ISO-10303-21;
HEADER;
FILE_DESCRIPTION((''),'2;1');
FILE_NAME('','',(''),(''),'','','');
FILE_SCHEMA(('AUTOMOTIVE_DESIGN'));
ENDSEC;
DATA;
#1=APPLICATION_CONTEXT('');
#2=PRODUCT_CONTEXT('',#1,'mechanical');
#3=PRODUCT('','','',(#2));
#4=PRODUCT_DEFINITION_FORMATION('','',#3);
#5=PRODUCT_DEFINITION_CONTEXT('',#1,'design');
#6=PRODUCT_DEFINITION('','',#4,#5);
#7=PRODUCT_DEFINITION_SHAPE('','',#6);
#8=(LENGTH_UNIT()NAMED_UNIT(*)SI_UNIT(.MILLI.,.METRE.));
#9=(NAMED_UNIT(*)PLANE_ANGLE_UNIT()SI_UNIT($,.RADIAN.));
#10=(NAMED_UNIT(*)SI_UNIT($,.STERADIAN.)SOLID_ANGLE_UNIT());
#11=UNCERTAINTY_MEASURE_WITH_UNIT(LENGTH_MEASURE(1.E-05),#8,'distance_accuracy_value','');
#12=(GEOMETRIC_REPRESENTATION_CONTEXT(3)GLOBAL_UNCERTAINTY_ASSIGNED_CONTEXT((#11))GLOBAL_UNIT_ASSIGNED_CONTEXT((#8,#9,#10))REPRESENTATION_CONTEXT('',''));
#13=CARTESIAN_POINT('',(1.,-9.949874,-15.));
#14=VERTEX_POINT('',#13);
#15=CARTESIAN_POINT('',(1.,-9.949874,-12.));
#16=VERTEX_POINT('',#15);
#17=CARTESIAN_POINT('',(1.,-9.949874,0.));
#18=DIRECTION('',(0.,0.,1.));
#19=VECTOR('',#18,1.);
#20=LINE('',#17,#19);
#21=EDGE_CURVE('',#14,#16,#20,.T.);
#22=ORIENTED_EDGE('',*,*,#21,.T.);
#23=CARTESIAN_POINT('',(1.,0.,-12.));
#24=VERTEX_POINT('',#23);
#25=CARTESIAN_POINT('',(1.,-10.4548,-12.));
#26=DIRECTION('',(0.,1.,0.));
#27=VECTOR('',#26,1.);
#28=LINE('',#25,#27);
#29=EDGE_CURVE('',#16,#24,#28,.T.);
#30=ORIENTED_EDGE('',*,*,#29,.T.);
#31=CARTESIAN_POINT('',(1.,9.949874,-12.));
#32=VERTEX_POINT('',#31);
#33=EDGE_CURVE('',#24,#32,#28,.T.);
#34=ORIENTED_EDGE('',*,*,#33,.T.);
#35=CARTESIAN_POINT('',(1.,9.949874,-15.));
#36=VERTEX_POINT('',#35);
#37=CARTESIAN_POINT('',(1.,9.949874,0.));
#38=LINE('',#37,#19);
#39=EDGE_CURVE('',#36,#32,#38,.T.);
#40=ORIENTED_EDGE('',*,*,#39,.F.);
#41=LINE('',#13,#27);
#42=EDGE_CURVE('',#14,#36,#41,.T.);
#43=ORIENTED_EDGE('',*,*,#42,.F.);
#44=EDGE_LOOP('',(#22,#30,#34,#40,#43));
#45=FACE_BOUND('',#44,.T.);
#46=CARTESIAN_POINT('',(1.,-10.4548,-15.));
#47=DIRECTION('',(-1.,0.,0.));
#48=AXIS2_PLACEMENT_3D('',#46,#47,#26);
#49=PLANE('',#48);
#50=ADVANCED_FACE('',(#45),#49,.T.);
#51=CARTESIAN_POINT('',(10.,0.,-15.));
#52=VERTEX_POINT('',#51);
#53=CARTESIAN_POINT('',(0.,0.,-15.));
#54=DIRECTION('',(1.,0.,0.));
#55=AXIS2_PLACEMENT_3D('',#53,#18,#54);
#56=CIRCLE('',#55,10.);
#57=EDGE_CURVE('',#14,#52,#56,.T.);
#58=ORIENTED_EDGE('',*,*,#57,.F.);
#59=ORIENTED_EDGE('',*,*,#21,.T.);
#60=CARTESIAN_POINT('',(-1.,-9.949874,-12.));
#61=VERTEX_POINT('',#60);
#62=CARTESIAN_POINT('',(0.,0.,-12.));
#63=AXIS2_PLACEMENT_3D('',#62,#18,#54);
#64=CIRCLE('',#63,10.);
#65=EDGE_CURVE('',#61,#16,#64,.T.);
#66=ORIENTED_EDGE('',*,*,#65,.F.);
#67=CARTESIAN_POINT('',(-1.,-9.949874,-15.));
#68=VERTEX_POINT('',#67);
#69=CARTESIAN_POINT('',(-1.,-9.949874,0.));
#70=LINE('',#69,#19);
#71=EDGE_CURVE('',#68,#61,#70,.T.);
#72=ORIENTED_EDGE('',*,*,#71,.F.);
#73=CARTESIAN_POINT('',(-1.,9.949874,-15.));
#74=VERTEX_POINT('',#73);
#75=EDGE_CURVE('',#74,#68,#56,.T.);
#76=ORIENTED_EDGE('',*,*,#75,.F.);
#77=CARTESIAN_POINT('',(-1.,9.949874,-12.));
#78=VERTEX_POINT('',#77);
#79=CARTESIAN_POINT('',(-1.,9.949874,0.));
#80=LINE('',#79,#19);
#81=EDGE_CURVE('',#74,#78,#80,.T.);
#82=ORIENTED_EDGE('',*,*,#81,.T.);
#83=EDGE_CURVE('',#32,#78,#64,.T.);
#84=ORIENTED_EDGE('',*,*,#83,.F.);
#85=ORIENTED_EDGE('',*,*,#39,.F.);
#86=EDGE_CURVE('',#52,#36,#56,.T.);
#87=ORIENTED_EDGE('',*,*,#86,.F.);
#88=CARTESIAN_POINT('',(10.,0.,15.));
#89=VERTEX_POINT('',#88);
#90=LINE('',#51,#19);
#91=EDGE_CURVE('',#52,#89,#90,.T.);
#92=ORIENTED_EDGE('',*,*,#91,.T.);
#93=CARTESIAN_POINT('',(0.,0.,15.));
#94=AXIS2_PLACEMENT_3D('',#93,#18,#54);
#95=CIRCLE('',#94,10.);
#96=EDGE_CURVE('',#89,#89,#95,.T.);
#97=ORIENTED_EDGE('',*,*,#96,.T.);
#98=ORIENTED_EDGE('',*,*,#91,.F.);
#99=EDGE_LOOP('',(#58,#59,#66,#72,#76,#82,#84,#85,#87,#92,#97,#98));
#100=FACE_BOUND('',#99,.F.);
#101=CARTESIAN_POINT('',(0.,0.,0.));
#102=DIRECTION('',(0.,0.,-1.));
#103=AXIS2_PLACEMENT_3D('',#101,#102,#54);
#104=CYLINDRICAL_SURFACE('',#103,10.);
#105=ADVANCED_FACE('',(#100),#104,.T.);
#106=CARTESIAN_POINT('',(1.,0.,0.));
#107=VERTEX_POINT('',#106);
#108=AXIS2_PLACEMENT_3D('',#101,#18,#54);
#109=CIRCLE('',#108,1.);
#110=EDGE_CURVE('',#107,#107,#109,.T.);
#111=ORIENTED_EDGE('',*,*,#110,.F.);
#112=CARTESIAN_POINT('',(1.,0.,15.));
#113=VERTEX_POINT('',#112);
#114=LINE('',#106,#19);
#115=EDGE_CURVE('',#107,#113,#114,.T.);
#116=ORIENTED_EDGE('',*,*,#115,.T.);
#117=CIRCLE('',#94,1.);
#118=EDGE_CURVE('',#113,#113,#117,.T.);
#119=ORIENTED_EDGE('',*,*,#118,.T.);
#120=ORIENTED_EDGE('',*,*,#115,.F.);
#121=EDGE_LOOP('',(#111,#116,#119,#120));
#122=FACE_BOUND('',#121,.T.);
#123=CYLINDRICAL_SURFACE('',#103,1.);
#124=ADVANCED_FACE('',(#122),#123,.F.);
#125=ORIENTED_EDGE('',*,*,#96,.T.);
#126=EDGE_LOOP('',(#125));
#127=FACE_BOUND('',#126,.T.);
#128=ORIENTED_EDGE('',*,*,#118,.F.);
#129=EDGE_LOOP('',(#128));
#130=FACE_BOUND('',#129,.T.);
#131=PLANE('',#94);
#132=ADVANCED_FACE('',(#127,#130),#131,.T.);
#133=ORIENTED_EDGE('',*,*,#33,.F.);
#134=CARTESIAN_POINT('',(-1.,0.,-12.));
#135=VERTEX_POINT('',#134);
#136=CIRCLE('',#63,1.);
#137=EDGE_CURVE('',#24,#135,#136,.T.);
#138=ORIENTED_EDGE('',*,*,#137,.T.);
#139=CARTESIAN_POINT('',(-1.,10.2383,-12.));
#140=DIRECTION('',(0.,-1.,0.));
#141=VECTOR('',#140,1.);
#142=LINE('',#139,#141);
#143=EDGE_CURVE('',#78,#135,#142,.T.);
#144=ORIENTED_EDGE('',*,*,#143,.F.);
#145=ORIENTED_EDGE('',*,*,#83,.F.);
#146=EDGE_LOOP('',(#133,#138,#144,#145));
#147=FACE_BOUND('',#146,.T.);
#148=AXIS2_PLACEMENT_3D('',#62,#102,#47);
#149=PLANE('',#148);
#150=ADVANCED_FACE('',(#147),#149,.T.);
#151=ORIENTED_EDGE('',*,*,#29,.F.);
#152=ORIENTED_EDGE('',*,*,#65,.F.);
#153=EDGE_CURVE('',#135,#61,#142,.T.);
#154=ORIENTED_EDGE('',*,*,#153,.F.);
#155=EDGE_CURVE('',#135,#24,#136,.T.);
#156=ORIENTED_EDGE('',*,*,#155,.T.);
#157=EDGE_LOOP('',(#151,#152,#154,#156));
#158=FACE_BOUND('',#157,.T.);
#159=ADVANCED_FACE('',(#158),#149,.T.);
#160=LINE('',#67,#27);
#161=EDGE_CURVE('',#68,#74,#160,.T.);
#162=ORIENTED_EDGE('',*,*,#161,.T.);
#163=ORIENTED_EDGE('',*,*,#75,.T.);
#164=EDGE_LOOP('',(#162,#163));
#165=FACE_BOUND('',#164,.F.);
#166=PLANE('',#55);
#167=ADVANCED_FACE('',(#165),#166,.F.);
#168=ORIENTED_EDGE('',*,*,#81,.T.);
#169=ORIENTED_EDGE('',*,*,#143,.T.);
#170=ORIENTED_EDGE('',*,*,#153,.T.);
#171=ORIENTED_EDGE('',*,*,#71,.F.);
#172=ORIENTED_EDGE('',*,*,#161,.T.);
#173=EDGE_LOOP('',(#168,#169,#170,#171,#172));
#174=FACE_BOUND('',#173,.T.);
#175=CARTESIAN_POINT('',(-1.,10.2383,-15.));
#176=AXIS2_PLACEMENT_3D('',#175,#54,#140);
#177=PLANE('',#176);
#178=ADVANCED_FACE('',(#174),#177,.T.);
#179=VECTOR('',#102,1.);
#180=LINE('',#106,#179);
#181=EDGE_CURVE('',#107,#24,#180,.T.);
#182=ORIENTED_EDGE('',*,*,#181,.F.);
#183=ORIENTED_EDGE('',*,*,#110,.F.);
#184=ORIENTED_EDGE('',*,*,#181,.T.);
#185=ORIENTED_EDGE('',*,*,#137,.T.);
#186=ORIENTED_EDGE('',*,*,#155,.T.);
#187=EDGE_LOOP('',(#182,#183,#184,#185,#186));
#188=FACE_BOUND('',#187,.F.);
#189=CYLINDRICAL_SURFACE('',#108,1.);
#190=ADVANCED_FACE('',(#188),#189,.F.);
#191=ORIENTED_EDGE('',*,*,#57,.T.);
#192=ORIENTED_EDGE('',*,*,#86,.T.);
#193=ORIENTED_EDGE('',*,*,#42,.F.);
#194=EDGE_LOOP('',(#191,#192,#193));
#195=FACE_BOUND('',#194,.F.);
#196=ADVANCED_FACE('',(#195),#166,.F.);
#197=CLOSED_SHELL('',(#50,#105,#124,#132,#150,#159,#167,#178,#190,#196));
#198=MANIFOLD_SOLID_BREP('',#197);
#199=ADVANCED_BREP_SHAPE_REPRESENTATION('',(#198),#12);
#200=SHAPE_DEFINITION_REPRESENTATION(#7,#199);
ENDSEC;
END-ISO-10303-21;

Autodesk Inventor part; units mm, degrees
ref_plane "YZ Plane" through (0, 0, 0) normal (1, 0, 0) x (0, 1, 0)
ref_plane "XZ Plane" through (0, 0, 0) normal (0, 1, 0) x (-1, 0, 0)
ref_plane "XY Plane" through (0, 0, 0) normal (0, 0, 1) x (1, 0, 0)
sketch "スケッチ1" plane through (0, 0, 0) normal (0, 0, 1) x (1, 0, 0)
  circle A0 centre (0, 0) radius 10
  circle A1 centre (0, 0) radius 1
  dimension "d0" = 20
  dimension "d3" = 2
extrude "押し出し1" add sketch "スケッチ1" along normal mid plane 30
sketch "スケッチ2" plane through (0, 0, -15) normal (0, 0, -1) x (-1, 0, 0)
  line L0 (-1, 10.2383) -> (1, 10.2383)
  line L1 (1, 10.2383) -> (1, -10.4548)
  line L2 (1, -10.4548) -> (-1, -10.4548)
  line L3 (-1, -10.4548) -> (-1, 10.2383)
  point P0 (0, 0)
  point P1 (0, -10.4548)
  dimension "d4" = 2
extrude "押し出し2" cut sketch "スケッチ2" against normal blind 3
thread "ねじ1" size "M20x2" class "6g" standard "ISO Metric profile" full length
properties part number "rod390_end_screw" material "ステンレス鋼"
